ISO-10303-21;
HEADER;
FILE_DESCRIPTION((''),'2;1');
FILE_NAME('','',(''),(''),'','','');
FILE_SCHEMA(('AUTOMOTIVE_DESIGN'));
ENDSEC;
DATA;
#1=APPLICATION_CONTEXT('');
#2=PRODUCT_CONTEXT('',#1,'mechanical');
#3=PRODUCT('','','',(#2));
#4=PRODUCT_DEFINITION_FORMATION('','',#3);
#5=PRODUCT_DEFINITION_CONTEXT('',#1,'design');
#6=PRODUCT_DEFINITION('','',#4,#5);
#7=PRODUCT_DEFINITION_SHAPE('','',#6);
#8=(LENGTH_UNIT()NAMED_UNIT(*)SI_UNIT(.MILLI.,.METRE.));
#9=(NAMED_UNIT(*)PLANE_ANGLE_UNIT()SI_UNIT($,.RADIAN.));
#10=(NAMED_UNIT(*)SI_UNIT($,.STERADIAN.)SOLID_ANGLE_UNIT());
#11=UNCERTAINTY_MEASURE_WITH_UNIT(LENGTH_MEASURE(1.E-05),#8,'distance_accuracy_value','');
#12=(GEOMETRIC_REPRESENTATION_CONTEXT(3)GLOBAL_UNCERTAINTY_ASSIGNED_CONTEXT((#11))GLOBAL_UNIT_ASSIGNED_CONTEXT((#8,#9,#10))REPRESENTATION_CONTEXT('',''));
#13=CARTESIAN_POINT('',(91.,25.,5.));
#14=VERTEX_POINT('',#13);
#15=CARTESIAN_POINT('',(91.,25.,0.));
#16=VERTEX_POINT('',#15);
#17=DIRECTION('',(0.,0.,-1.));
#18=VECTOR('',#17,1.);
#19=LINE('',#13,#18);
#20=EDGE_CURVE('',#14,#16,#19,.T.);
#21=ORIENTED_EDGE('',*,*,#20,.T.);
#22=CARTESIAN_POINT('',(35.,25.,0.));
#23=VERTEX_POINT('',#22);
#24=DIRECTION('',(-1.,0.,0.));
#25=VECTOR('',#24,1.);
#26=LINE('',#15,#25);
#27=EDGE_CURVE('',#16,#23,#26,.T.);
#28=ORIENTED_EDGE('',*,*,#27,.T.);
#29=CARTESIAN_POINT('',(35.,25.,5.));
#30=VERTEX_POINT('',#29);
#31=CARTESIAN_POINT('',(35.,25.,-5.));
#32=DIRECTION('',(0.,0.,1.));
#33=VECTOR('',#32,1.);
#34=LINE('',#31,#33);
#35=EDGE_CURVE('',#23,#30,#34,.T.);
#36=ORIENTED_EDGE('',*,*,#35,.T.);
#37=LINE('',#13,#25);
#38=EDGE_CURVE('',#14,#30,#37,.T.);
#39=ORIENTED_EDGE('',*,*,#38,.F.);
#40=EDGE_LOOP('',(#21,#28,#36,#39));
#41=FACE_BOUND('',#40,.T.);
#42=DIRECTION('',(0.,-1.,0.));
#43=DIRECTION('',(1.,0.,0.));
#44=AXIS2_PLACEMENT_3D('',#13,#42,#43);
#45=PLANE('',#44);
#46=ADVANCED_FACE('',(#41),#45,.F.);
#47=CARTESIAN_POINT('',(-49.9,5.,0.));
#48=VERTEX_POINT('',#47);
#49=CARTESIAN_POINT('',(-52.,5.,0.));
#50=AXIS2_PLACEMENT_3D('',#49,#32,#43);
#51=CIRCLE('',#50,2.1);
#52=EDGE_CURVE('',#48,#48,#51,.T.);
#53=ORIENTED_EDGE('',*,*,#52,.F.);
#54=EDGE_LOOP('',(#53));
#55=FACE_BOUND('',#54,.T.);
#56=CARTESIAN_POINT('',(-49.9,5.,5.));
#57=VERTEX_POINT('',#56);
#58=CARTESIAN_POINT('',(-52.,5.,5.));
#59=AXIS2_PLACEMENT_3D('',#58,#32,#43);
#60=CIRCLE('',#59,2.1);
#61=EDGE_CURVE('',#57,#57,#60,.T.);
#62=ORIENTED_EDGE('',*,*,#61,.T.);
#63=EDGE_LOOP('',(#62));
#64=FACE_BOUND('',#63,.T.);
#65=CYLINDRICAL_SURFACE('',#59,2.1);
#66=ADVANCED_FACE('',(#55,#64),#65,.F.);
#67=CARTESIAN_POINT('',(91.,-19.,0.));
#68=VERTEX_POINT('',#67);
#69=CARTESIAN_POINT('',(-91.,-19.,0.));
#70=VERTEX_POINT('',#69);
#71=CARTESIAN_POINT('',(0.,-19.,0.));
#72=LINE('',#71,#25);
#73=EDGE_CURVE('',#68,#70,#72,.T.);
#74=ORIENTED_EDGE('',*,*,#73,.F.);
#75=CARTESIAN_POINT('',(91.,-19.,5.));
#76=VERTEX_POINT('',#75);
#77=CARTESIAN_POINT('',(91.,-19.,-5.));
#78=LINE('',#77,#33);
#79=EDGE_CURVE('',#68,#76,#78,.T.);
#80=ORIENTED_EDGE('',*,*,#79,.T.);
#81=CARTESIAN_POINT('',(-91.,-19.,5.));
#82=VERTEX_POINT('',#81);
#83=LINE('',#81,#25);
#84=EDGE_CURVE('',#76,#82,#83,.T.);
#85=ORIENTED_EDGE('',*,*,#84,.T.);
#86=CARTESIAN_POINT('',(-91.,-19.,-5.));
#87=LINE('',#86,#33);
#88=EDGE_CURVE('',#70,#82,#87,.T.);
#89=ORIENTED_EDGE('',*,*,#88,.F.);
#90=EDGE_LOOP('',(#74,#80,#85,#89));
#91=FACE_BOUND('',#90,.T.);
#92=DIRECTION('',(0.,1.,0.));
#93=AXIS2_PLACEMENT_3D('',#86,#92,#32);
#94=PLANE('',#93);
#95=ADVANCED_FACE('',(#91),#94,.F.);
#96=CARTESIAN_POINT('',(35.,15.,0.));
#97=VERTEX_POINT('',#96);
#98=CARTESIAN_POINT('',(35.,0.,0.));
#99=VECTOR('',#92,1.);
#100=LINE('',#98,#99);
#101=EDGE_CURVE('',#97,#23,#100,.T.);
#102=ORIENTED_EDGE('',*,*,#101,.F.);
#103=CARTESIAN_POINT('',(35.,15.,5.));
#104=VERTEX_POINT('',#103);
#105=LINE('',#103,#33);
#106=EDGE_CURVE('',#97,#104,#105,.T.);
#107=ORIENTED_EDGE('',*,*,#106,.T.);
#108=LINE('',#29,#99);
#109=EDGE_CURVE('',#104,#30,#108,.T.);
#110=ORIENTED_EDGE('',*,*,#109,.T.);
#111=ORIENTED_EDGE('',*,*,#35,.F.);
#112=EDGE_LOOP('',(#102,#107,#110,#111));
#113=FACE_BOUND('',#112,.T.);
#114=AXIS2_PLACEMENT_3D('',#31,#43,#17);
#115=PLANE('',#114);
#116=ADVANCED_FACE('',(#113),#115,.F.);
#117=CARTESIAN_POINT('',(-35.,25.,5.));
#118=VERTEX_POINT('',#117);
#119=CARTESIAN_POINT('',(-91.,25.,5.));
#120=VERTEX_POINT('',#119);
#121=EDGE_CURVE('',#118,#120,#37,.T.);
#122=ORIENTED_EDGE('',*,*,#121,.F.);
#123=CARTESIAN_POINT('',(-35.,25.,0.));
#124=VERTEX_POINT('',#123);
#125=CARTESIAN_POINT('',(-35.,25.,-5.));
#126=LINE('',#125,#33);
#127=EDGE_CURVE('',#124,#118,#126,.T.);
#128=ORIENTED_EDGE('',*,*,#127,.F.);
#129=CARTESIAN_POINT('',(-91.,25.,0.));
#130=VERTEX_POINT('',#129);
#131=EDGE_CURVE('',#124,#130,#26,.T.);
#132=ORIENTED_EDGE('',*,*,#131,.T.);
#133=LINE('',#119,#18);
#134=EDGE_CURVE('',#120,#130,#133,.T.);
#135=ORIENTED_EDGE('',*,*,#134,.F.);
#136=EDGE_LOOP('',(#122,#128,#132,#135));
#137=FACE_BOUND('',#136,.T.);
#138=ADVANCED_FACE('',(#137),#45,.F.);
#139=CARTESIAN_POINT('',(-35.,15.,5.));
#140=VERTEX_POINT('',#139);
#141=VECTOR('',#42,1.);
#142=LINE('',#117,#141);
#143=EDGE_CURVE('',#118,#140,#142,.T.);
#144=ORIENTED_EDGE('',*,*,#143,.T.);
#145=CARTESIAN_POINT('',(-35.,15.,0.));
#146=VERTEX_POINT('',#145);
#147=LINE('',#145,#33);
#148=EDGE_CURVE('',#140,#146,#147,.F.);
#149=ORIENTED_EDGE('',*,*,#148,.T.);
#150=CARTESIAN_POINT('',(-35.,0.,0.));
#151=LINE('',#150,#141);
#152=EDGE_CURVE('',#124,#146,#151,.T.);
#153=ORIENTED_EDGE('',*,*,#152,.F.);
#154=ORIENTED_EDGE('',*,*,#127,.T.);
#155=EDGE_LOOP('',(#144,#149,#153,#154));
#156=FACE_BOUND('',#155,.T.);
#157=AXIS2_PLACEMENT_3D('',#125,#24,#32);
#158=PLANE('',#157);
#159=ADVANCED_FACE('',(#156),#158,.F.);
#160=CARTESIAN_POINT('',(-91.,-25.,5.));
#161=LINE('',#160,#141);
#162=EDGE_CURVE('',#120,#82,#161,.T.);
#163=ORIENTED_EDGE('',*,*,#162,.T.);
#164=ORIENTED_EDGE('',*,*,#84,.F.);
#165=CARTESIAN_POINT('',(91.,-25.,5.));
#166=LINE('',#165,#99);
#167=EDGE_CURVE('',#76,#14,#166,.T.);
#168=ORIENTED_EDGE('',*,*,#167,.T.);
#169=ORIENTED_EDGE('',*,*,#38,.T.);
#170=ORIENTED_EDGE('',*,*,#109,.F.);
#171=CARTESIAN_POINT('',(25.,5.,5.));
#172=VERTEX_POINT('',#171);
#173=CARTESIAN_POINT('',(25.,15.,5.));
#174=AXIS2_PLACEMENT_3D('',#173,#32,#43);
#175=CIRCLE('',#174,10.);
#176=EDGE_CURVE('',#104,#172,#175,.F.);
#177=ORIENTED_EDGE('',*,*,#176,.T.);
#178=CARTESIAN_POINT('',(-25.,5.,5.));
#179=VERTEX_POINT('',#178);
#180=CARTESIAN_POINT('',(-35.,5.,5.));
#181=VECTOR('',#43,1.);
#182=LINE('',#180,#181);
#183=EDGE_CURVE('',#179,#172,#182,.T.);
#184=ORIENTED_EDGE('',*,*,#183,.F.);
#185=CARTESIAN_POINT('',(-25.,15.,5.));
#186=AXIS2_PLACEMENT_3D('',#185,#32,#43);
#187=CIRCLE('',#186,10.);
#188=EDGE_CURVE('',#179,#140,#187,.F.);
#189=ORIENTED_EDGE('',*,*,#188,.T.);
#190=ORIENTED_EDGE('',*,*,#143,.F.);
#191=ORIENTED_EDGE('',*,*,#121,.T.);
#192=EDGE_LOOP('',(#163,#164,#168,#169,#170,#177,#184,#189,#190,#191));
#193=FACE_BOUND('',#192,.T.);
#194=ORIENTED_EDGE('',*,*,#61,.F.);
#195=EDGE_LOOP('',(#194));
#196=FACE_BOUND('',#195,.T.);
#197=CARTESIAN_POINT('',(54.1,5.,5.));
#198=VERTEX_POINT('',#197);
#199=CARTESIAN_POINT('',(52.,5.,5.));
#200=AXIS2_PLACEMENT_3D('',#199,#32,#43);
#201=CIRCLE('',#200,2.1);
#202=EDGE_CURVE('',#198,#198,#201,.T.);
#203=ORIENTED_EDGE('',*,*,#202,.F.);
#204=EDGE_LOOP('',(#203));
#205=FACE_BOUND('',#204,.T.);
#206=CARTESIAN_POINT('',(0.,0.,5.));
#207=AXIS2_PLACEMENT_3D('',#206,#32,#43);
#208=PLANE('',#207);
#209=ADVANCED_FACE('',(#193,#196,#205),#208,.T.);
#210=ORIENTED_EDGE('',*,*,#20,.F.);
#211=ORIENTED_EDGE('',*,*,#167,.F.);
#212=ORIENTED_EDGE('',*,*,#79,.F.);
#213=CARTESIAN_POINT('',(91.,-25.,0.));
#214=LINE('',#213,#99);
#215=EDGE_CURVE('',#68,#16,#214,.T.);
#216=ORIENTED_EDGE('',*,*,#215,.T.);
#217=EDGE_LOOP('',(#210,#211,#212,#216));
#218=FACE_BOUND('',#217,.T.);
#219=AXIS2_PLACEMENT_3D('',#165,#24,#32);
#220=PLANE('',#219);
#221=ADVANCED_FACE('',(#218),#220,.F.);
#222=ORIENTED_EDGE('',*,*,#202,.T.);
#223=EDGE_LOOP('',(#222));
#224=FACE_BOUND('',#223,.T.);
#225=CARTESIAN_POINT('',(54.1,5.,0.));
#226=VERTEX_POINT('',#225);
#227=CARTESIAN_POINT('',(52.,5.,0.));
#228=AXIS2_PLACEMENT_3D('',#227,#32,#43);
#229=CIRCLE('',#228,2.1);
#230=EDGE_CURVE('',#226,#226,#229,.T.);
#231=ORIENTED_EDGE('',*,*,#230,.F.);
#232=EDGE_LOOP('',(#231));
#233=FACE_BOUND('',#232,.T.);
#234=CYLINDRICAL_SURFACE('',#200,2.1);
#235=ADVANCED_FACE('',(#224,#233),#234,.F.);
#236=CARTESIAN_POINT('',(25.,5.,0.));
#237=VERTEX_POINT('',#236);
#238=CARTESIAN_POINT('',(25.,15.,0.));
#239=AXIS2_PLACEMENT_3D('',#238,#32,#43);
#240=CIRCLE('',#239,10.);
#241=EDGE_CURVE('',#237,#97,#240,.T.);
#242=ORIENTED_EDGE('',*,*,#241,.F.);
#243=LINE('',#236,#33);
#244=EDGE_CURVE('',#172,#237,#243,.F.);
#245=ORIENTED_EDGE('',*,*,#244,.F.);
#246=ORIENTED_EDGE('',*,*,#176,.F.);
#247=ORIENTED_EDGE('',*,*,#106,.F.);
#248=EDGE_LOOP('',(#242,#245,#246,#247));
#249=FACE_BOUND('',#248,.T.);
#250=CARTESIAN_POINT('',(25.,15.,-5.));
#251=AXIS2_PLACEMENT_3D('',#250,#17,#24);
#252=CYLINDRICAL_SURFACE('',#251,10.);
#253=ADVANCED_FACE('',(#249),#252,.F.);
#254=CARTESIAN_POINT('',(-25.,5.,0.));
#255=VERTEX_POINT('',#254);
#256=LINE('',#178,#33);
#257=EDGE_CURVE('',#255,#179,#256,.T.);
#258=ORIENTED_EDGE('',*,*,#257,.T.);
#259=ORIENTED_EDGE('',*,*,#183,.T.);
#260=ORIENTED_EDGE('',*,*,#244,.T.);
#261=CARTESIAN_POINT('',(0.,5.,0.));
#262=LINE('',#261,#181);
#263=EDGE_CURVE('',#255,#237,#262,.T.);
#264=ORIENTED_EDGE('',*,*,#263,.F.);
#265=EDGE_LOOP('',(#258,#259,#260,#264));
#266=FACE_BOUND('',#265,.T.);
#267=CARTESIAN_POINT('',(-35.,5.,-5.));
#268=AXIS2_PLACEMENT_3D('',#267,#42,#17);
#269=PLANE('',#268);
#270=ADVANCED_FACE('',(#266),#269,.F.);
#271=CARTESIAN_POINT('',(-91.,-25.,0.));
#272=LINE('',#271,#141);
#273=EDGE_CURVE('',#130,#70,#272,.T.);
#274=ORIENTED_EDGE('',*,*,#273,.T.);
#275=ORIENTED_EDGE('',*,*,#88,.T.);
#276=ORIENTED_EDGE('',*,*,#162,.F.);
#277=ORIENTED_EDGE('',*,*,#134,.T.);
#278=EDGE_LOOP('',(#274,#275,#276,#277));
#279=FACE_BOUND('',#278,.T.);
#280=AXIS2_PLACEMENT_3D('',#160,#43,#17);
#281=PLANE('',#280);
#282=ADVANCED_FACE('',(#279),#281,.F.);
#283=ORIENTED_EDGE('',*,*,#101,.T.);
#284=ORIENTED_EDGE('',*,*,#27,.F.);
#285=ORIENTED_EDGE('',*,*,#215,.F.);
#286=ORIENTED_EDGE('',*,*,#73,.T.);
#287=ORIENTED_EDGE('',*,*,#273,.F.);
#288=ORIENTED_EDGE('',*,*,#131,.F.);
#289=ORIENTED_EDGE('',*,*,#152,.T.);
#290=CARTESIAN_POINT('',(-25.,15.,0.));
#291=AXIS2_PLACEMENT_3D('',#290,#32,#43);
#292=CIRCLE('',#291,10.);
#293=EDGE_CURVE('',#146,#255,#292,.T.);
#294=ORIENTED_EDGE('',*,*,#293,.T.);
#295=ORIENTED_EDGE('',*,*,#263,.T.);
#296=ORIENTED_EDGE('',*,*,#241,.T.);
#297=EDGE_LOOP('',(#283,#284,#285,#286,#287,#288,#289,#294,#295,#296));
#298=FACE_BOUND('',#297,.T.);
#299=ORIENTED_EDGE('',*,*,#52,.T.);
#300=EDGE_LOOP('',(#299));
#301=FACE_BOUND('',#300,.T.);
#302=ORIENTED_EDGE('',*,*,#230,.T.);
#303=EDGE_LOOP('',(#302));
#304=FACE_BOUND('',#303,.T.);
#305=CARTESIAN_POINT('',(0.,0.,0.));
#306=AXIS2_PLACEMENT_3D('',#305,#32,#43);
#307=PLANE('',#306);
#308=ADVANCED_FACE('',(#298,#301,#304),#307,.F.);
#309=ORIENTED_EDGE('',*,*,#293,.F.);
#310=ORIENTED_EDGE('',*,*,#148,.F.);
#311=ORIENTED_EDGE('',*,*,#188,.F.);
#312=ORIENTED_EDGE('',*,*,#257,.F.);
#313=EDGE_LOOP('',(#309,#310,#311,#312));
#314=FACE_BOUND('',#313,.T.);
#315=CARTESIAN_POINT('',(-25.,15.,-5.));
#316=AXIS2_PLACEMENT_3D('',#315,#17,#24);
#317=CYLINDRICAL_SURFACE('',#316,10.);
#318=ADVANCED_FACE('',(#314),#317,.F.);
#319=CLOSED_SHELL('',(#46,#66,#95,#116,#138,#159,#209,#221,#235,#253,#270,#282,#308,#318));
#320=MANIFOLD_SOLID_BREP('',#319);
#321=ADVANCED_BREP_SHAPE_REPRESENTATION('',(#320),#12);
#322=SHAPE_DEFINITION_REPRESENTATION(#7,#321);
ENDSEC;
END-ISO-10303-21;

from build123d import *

# Parameters (mm, degrees)
SKIZZE1_W                       = 182
SKIZZE1_H                       = 50
AUFSATZ_LINEAR_AUSTRAGEN1_DEPTH = 5
M5_GEWINDEBOHRUNG1_D            = 4.2
M5_GEWINDEBOHRUNG1_DEPTH        = 14
M5_GEWINDEBOHRUNG1_TIP          = 1.2618073
SKIZZE4_W                       = 70
SKIZZE4_H                       = 20
SKIZZE4_W_2                     = 182
SKIZZE4_H_2                     = 6
SCHNITT_LINEAR_AUSTRAGEN1_DEPTH = 10
VERRUNDUNG2_R                   = 10


with BuildPart() as part:
    # Skizze1 → Aufsatz-Linear austragen1 (new body)
    with BuildSketch(Plane.XY):
        Rectangle(SKIZZE1_W, SKIZZE1_H)
    extrude(amount=AUFSATZ_LINEAR_AUSTRAGEN1_DEPTH)

    # M5 Gewindebohrung1
    with Locations(Plane.XY.offset(5)):
        with Locations((52, 5), (-52, 5)):
            Hole(M5_GEWINDEBOHRUNG1_D / 2, depth=M5_GEWINDEBOHRUNG1_DEPTH)
            with Locations((0, 0, -(M5_GEWINDEBOHRUNG1_DEPTH + M5_GEWINDEBOHRUNG1_TIP / 2))):  # 118° drill point
                Cone(0, M5_GEWINDEBOHRUNG1_D / 2, M5_GEWINDEBOHRUNG1_TIP, mode=Mode.SUBTRACT)

    # Skizze4 → Schnitt-Linear austragen1 (cut)
    with BuildSketch(Plane.XY.offset(5)):
        with Locations((0, 15)):
            Rectangle(SKIZZE4_W, SKIZZE4_H)
        with Locations((0, -22)):
            Rectangle(SKIZZE4_W_2, SKIZZE4_H_2)
    extrude(amount=-SCHNITT_LINEAR_AUSTRAGEN1_DEPTH, mode=Mode.SUBTRACT)

    # Verrundung2
    verrundung2_edges = [part.edges().sort_by_distance(p)[0] for p in [
        (-35, 5, 2.5),
        (35, 5, 2.5),
    ]]
    fillet(verrundung2_edges, radius=VERRUNDUNG2_R)


solid = part.part
